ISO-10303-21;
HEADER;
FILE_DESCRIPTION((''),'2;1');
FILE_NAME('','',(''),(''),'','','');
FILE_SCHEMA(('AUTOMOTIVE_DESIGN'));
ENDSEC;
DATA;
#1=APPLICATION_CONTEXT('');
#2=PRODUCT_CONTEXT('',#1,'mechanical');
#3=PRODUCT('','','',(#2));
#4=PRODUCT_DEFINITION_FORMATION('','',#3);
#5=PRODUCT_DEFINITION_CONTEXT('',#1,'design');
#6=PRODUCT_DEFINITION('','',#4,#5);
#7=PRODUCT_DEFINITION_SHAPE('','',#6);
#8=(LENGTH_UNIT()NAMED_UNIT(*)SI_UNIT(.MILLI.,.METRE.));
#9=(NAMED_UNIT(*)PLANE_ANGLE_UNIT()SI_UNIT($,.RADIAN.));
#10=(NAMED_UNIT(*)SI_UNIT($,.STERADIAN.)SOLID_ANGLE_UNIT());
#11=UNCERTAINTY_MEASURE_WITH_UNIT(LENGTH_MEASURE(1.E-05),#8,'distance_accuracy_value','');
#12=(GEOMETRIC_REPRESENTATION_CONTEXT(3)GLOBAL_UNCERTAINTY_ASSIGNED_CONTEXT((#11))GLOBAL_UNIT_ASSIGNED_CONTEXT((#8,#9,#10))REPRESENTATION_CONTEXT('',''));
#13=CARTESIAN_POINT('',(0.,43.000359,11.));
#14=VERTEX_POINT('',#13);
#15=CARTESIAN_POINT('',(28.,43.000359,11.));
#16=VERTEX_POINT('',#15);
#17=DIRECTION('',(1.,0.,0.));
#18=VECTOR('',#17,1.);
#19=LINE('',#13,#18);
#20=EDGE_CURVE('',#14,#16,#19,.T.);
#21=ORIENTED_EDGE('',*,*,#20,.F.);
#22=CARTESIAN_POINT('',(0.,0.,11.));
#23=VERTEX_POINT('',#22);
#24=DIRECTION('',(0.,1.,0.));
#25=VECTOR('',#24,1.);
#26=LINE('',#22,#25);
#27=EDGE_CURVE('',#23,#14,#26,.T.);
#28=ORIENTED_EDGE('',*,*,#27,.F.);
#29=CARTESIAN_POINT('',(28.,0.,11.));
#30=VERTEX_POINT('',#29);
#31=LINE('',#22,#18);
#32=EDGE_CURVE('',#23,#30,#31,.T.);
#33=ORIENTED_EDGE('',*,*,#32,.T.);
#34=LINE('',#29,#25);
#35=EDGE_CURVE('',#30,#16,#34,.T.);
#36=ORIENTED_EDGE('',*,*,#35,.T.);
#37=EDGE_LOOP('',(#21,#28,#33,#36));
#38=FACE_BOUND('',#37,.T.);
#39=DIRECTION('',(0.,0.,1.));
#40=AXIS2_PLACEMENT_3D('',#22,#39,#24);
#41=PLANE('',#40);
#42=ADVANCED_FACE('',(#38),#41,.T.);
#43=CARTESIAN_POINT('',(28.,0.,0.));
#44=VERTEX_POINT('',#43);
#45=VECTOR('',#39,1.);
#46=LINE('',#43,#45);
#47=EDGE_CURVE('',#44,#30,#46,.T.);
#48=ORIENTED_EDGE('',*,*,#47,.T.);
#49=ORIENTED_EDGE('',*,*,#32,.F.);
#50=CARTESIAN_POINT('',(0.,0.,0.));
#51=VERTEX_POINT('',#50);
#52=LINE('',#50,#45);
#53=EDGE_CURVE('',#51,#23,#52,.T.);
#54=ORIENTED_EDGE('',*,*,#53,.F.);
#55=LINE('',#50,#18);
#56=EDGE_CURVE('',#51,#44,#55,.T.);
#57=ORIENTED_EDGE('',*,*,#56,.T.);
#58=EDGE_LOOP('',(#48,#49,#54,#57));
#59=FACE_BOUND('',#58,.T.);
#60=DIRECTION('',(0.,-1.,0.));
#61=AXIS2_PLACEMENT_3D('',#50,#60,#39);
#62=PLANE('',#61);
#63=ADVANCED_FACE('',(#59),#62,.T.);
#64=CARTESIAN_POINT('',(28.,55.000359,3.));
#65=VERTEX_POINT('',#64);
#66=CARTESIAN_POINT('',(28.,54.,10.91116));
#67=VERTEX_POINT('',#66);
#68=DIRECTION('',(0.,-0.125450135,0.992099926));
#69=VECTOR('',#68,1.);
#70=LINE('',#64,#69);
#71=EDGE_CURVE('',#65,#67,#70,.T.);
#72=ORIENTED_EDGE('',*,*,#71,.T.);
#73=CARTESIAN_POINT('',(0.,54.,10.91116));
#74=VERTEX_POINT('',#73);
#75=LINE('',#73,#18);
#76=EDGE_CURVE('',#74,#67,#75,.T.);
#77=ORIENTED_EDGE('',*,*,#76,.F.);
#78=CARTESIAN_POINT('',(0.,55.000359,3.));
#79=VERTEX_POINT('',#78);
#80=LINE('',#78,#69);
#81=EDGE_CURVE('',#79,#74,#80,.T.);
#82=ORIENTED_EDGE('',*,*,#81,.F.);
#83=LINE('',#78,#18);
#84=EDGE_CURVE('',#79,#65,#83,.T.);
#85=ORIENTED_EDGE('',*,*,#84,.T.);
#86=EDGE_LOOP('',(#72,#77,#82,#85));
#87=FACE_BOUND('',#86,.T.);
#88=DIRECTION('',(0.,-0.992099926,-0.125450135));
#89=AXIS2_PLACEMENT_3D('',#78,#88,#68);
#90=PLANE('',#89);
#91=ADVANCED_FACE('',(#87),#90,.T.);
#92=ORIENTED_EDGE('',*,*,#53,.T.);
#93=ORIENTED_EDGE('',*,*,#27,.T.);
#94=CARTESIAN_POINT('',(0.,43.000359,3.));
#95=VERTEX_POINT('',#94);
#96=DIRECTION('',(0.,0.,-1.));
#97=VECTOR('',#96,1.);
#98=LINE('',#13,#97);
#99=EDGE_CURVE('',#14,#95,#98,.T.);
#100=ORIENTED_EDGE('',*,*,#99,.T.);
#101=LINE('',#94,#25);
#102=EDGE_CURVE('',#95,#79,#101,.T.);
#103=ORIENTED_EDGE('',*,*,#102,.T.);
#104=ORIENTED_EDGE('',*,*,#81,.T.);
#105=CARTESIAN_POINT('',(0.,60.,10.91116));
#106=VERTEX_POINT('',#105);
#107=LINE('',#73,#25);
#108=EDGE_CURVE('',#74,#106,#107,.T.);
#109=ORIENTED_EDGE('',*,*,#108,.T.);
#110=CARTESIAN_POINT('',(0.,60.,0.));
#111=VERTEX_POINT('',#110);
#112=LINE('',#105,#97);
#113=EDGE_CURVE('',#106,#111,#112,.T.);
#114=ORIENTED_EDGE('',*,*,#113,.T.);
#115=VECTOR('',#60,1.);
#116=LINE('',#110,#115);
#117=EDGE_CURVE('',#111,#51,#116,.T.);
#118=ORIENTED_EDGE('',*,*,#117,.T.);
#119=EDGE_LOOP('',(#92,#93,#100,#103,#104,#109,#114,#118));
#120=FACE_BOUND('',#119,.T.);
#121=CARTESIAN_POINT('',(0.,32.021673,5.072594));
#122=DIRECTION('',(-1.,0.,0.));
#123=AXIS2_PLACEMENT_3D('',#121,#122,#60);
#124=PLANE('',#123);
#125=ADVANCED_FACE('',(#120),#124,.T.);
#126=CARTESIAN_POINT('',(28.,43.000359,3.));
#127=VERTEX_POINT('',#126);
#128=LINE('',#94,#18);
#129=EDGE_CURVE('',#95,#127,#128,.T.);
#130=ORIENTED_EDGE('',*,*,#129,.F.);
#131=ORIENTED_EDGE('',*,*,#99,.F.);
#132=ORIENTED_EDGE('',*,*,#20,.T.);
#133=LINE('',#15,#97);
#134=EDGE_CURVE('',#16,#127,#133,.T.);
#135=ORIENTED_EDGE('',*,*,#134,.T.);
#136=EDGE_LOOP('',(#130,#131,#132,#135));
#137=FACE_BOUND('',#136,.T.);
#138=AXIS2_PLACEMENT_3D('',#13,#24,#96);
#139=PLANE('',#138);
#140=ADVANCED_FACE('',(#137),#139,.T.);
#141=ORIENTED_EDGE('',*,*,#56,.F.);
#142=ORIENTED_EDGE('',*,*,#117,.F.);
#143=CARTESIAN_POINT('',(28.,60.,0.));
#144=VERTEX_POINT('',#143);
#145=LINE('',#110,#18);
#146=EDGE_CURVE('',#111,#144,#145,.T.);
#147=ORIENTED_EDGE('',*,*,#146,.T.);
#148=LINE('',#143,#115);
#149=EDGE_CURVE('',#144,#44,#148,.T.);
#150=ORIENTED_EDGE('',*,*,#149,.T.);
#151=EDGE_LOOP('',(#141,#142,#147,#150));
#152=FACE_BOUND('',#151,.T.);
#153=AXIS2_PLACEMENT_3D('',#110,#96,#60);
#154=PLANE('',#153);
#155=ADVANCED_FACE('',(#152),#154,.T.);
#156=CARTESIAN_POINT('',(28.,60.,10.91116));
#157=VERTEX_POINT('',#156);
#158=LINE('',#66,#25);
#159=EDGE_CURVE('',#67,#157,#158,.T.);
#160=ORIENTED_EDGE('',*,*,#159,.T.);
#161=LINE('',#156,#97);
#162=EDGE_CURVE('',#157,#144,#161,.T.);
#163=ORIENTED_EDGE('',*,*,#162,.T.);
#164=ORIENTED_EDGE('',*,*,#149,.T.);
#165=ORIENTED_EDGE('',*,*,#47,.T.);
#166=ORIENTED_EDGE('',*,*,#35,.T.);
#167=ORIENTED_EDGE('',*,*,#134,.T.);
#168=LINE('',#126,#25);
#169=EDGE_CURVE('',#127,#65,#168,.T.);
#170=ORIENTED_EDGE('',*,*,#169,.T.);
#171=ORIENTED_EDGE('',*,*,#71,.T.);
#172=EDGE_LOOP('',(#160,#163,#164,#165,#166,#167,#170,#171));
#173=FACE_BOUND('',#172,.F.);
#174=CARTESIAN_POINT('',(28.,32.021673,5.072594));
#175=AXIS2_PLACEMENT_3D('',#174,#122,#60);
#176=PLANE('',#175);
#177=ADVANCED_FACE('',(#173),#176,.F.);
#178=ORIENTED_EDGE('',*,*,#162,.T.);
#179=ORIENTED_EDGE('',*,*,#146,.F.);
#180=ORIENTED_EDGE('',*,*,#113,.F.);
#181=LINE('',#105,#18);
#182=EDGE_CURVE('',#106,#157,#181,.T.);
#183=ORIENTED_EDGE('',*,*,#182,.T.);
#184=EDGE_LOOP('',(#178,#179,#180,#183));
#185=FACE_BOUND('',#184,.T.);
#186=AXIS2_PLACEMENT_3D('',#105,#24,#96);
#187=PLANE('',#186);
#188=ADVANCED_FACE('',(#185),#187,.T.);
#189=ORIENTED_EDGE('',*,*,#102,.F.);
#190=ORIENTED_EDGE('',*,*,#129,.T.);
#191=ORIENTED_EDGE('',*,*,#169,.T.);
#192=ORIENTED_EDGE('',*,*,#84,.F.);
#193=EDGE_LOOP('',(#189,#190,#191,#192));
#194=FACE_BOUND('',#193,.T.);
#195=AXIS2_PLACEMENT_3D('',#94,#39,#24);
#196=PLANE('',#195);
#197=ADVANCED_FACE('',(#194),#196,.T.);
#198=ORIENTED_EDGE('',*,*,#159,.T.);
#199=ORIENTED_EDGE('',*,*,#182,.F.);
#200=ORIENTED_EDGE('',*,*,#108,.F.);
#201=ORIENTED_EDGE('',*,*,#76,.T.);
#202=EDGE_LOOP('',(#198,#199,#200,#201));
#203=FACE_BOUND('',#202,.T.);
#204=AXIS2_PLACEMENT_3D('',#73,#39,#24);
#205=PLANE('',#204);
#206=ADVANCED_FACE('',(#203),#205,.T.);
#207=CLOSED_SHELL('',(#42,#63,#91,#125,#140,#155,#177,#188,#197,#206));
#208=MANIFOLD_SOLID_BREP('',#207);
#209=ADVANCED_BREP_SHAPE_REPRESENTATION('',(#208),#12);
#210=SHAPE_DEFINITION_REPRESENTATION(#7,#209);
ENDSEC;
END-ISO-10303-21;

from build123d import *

# Parameters (mm, degrees)
PAD_DEPTH = 28


with BuildPart() as part:
    # Sketch → Pad (new body)
    with BuildSketch(Plane.YZ):
        Polygon((0, 0), (0, 11), (43.000359, 11), (43.000359, 3), (55.000359, 3), (54, 10.91116), (60, 10.91116), (60, 0), align=None)
    extrude(amount=PAD_DEPTH)


solid = part.part
